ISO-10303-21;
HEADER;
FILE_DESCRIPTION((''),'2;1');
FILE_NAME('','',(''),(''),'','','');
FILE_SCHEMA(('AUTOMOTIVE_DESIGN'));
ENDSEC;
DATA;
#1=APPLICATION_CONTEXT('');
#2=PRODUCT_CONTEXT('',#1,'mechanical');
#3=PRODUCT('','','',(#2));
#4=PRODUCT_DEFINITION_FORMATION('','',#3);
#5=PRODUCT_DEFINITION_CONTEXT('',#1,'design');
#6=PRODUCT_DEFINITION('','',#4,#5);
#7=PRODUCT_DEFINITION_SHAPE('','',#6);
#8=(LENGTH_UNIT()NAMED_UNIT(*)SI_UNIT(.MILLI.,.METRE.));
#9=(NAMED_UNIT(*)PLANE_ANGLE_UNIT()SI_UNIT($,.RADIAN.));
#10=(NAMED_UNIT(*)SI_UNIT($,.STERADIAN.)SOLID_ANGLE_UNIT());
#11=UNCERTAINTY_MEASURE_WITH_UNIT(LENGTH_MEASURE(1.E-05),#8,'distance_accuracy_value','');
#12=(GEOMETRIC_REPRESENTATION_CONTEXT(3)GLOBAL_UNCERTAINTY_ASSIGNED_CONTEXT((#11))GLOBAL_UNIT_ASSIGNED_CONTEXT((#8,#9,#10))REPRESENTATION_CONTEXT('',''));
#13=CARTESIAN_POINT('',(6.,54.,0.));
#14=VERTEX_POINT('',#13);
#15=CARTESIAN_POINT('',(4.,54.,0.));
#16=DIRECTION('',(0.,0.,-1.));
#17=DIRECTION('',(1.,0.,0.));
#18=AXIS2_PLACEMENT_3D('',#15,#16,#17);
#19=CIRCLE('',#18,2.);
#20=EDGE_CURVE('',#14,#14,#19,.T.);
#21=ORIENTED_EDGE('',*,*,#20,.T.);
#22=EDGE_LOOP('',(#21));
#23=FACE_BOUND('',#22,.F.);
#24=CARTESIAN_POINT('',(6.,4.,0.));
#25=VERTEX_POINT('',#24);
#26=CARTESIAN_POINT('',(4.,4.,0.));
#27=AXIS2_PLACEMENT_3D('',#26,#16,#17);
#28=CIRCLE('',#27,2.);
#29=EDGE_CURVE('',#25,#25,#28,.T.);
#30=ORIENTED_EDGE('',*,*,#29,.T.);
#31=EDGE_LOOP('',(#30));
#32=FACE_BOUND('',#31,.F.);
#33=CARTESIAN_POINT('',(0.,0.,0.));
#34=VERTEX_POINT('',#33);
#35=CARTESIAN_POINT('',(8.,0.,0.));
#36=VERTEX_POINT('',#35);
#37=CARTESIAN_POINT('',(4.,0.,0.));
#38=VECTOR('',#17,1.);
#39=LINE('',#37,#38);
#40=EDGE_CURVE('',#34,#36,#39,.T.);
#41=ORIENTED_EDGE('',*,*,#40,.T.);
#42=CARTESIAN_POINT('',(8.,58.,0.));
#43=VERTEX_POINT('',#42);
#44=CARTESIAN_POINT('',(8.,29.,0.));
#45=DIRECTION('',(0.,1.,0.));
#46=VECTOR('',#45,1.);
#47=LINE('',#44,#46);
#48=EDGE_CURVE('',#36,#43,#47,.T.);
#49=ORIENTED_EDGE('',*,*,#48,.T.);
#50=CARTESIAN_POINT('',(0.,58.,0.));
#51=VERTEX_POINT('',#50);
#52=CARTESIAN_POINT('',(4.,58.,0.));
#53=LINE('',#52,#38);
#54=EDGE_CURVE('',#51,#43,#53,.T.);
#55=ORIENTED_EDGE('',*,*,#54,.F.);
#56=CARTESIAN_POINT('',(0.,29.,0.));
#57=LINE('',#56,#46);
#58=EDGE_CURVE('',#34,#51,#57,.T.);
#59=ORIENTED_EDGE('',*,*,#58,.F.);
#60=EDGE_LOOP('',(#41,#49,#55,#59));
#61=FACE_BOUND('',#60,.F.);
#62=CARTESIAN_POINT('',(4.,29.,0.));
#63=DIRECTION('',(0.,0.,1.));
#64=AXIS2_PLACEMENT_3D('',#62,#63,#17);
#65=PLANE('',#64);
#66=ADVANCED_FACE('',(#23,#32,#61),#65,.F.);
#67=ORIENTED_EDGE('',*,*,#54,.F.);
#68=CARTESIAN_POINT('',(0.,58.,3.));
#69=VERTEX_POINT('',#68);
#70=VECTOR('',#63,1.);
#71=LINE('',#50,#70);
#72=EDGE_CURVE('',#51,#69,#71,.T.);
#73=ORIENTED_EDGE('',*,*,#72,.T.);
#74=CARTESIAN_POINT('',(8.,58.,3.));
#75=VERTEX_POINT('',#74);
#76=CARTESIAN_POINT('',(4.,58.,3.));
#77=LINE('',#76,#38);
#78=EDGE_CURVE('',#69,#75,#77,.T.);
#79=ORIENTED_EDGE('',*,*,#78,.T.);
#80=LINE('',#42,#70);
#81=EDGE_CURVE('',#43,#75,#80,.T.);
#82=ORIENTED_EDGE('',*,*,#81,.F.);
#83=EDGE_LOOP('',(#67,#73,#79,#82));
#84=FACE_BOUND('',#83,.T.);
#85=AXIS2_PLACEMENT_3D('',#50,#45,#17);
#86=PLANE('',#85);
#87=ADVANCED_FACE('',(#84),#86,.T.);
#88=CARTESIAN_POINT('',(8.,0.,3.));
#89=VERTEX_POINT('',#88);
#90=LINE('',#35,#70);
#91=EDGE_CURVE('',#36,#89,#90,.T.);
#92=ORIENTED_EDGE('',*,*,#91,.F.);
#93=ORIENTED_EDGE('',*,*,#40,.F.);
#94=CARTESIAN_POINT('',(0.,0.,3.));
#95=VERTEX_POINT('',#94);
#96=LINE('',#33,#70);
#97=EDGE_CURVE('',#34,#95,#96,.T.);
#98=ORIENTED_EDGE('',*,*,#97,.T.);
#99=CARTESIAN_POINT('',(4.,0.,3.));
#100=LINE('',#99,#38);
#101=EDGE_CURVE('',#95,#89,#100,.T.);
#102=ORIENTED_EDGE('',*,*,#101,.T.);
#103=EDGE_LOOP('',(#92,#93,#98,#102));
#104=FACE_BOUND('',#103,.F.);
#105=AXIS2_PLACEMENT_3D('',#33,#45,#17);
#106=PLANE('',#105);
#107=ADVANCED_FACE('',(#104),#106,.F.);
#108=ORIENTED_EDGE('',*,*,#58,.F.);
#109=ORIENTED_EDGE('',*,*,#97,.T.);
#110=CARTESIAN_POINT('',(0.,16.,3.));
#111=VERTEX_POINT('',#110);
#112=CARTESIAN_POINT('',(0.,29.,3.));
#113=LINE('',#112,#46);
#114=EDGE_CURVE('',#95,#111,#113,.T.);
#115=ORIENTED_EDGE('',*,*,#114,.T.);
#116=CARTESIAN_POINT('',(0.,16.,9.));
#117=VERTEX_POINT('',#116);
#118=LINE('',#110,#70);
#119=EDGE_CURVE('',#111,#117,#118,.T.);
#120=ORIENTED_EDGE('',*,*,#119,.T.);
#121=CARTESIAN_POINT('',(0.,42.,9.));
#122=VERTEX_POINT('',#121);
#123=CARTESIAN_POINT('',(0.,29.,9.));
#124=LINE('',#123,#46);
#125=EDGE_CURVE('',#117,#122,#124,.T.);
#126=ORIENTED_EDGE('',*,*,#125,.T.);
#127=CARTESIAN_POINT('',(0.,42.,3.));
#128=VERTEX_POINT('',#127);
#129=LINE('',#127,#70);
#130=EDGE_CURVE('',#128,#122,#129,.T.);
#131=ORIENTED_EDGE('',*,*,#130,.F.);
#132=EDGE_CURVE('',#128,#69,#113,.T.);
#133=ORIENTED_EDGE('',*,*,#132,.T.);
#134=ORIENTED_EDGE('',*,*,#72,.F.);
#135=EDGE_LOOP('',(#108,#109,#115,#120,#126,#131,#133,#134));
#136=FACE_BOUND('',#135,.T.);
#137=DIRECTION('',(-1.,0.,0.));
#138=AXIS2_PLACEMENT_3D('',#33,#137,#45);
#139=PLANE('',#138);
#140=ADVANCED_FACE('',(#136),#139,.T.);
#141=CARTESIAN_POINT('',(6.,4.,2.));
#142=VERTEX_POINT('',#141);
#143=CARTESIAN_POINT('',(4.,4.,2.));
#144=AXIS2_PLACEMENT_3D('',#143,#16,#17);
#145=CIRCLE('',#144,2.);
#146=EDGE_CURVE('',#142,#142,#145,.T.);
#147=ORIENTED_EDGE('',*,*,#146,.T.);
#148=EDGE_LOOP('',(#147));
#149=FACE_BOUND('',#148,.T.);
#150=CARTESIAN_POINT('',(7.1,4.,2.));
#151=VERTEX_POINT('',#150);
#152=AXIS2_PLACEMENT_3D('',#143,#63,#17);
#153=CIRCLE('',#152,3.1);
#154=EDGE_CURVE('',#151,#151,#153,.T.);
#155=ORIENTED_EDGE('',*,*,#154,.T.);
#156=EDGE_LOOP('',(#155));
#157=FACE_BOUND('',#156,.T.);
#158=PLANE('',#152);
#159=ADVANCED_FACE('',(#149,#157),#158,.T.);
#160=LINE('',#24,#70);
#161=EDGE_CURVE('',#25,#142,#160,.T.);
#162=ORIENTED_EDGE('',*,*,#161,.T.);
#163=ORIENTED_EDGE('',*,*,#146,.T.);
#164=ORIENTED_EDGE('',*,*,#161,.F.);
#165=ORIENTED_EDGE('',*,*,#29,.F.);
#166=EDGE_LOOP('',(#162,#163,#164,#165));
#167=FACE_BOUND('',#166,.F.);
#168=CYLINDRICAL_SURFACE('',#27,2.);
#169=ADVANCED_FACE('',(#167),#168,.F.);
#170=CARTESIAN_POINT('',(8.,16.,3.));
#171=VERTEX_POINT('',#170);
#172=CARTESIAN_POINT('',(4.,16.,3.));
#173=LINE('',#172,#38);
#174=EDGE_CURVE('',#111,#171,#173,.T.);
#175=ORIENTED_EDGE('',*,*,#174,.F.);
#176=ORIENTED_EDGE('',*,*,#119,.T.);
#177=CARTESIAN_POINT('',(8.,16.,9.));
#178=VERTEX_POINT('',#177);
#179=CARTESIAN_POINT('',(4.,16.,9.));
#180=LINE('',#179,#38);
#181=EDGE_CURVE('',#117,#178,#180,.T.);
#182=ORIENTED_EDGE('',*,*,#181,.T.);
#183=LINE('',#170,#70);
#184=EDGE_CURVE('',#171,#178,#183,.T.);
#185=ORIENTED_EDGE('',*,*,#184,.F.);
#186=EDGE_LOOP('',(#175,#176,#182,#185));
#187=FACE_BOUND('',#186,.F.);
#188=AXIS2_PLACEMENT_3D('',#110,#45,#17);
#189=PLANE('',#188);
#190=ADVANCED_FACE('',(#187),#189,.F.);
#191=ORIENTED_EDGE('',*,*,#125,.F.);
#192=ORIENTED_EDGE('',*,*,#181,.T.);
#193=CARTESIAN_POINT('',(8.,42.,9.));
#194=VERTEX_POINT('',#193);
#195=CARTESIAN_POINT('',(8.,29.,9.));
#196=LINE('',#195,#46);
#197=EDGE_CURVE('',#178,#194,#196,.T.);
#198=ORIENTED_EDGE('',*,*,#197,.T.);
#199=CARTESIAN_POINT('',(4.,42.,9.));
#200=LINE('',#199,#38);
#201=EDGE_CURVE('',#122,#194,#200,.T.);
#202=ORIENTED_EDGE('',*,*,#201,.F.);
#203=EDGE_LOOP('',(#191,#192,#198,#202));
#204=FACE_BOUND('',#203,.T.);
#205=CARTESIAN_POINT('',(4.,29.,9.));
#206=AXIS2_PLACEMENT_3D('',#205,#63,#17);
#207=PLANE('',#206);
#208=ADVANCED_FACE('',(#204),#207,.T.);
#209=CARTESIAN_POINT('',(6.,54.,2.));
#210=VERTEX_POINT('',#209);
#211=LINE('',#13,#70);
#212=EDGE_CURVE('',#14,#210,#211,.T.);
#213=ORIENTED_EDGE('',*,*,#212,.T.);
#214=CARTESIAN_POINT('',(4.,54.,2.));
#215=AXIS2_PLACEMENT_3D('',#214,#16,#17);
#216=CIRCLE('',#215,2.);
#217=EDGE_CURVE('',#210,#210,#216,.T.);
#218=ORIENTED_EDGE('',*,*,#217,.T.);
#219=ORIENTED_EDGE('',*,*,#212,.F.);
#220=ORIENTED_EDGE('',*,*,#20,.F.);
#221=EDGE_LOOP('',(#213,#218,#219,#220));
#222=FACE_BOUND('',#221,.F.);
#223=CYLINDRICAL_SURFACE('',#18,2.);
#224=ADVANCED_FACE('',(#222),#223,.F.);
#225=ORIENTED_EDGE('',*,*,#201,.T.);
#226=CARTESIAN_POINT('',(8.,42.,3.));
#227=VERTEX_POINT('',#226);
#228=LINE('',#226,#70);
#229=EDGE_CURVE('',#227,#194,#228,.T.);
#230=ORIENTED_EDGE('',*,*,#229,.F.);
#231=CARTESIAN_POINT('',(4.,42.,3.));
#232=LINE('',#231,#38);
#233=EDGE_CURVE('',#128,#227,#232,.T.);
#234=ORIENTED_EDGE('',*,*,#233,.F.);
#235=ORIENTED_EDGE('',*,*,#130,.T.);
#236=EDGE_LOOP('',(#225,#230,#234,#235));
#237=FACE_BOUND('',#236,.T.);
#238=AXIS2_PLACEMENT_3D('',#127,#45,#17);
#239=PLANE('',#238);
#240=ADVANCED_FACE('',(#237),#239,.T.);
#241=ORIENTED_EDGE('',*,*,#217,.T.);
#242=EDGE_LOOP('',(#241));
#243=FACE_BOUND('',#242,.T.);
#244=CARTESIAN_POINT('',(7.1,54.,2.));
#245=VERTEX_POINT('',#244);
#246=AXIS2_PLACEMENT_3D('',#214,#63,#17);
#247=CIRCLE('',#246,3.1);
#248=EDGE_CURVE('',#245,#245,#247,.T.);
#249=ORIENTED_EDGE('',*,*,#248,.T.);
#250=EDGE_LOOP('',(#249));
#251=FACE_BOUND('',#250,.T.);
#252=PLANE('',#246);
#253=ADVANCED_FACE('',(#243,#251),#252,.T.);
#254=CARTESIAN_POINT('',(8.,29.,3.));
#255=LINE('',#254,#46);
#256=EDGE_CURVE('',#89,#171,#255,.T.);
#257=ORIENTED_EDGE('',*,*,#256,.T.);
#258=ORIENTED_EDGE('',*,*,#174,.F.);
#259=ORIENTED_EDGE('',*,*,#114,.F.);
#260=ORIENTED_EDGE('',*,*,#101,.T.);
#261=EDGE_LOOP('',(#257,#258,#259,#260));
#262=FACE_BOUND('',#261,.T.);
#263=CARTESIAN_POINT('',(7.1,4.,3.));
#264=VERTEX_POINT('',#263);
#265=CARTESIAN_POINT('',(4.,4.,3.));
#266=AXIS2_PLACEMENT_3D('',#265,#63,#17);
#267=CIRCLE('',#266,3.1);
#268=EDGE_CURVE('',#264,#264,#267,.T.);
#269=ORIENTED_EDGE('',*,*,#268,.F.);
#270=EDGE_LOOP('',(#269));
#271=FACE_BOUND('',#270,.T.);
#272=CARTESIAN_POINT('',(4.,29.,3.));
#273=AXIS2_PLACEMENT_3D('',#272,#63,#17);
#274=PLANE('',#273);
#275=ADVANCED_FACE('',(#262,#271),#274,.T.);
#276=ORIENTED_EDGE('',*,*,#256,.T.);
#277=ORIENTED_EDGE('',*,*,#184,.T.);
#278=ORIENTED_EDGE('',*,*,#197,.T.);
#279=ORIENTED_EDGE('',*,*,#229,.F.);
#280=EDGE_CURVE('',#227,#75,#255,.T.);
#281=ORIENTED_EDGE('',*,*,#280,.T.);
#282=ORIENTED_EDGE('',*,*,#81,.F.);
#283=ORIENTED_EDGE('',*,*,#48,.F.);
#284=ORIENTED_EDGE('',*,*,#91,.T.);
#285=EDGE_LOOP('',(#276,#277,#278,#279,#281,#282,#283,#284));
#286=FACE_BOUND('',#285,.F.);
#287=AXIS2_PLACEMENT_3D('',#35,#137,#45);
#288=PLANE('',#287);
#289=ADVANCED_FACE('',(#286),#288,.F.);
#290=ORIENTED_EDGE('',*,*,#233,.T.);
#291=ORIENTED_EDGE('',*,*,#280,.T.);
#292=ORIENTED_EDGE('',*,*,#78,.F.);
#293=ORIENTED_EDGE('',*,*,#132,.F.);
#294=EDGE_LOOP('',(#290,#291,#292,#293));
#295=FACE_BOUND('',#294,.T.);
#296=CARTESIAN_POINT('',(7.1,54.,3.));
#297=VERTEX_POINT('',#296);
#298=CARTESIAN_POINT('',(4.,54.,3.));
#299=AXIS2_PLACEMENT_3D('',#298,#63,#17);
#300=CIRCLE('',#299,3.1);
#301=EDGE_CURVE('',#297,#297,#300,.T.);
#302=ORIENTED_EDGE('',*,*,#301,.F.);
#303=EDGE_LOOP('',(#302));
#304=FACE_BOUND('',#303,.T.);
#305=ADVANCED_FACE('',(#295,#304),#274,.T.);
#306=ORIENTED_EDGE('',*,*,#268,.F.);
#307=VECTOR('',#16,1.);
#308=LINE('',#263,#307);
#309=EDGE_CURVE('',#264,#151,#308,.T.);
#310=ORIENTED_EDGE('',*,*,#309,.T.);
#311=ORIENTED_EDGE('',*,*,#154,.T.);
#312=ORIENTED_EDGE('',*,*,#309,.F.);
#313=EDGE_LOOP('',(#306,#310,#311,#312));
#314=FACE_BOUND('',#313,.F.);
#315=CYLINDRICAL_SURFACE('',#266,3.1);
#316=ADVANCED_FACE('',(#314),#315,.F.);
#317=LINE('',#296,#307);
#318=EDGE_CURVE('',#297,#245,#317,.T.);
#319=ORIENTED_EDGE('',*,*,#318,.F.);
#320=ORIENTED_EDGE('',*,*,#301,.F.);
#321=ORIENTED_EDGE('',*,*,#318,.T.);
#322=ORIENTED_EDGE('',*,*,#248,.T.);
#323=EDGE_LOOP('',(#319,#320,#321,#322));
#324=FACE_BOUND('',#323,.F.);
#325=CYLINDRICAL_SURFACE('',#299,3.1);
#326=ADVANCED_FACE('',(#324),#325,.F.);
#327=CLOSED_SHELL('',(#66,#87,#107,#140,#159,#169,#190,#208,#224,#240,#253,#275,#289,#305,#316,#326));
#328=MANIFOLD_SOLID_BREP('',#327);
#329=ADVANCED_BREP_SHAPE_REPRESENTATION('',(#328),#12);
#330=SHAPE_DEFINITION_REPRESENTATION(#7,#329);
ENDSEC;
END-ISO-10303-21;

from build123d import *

# Parameters (mm, degrees)
SKETCH_W        = 8
SKETCH_H        = 58
PAD_DEPTH       = 3
SKETCH001_W     = 8
SKETCH001_H     = 26
PAD001_DEPTH    = 6
SKETCH002_R     = 2
POCKET_DEPTH    = 5
SKETCH003_R     = 3.1
POCKET001_DEPTH = 1


with BuildPart() as part:
    # Sketch → Pad (new body)
    with BuildSketch(Plane.XY):
        with Locations((4, 29)):
            Rectangle(SKETCH_W, SKETCH_H)
    extrude(amount=PAD_DEPTH)

    # Sketch001 (on Face6 of Pad) → Pad001 (join)
    with BuildSketch(Plane.XY.offset(3)):
        with Locations((4, 29)):
            Rectangle(SKETCH001_W, SKETCH001_H)
    extrude(amount=PAD001_DEPTH)

    # Sketch002 (on Face4 of Pad001) → Pocket (cut)
    with BuildSketch(Plane(origin=(0, 0, 0), x_dir=(1, 0, 0), z_dir=(0, 0, -1))):
        with Locations((4, -4)):
            Circle(SKETCH002_R)
        with Locations((4, -54)):
            Circle(SKETCH002_R)
    extrude(amount=-POCKET_DEPTH, mode=Mode.SUBTRACT)

    # Sketch003 (on Face5 of Pocket) → Pocket001 (cut)
    with BuildSketch(Plane.XY.offset(3)):
        with Locations((4, 4)):
            Circle(SKETCH003_R)
        with Locations((4, 54)):
            Circle(SKETCH003_R)
    extrude(amount=-POCKET001_DEPTH, mode=Mode.SUBTRACT)


solid = part.part
